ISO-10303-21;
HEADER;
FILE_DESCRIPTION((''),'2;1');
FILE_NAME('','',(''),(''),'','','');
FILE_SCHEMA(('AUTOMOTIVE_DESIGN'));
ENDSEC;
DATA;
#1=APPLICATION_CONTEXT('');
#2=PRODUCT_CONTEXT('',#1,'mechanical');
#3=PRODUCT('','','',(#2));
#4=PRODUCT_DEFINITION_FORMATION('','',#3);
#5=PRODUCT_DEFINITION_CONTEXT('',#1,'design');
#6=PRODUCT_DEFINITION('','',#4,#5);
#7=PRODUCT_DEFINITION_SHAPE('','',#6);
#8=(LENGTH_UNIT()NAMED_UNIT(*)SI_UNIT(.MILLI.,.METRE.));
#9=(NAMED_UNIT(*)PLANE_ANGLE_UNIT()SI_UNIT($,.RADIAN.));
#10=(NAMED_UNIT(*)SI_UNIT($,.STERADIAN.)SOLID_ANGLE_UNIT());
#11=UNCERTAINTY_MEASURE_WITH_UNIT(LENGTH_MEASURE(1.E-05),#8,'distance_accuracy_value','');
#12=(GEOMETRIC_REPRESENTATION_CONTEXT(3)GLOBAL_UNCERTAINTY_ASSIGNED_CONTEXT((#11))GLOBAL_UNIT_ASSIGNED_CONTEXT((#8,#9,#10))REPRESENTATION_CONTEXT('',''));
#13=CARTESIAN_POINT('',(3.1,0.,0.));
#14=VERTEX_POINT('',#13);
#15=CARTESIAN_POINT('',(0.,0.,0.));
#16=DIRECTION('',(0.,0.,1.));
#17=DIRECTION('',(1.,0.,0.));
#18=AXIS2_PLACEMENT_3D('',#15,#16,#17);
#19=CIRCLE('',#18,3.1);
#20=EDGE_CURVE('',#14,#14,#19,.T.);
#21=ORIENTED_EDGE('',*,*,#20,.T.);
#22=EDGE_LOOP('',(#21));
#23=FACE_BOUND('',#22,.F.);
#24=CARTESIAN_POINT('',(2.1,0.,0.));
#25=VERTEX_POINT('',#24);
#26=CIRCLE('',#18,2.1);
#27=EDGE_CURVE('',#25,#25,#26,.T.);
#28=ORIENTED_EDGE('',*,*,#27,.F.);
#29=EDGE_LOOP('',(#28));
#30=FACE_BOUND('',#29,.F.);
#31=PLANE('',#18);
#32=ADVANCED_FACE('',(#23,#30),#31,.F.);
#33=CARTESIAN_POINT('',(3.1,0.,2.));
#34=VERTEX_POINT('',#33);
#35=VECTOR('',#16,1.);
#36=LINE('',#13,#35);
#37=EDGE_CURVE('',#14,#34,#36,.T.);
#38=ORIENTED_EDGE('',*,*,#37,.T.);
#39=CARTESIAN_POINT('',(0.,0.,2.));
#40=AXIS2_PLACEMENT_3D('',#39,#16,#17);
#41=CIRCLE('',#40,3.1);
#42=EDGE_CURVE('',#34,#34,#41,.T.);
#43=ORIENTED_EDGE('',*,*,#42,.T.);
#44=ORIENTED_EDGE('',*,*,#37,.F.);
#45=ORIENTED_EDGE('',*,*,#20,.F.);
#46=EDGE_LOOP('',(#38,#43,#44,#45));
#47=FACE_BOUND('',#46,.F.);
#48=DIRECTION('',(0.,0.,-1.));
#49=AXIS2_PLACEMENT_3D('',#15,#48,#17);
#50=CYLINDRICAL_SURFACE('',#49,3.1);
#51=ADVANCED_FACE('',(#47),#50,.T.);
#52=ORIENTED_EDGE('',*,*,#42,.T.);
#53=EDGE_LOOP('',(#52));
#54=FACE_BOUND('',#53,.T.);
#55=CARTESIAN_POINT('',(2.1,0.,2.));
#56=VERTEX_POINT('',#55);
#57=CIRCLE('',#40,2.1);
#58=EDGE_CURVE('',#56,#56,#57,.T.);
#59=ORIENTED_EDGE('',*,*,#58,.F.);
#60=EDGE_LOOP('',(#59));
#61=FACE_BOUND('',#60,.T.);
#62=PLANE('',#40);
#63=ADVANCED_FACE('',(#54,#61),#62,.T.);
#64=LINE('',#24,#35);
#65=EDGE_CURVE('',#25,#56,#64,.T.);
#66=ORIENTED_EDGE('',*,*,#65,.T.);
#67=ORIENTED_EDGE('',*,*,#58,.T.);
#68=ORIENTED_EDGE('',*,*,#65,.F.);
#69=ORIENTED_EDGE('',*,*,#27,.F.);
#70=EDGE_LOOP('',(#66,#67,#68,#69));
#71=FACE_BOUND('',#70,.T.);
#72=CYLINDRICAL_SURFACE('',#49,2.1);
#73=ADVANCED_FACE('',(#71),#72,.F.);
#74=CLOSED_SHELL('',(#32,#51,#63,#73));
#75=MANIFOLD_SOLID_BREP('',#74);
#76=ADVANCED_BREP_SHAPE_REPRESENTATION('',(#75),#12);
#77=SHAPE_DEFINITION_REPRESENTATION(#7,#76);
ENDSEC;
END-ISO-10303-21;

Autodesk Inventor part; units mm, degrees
ref_plane "YZ Plane" through (0, 0, 0) normal (1, 0, 0) x (0, 1, 0)
ref_plane "XZ Plane" through (0, 0, 0) normal (0, 1, 0) x (-1, 0, 0)
ref_plane "XY Plane" through (0, 0, 0) normal (0, 0, 1) x (1, 0, 0)
sketch "Skizze1" plane through (0, 0, 0) normal (0, 0, 1) x (1, 0, 0)
  circle A0 centre (0, 0) radius 2.1
  circle A1 centre (0, 0) radius 3.1
  dimension "d0" = 4.2
  dimension "d1" = 1
extrude "Extrusion1" add sketch "Skizze1" along normal blind 2
properties part number "EncoderBush"
